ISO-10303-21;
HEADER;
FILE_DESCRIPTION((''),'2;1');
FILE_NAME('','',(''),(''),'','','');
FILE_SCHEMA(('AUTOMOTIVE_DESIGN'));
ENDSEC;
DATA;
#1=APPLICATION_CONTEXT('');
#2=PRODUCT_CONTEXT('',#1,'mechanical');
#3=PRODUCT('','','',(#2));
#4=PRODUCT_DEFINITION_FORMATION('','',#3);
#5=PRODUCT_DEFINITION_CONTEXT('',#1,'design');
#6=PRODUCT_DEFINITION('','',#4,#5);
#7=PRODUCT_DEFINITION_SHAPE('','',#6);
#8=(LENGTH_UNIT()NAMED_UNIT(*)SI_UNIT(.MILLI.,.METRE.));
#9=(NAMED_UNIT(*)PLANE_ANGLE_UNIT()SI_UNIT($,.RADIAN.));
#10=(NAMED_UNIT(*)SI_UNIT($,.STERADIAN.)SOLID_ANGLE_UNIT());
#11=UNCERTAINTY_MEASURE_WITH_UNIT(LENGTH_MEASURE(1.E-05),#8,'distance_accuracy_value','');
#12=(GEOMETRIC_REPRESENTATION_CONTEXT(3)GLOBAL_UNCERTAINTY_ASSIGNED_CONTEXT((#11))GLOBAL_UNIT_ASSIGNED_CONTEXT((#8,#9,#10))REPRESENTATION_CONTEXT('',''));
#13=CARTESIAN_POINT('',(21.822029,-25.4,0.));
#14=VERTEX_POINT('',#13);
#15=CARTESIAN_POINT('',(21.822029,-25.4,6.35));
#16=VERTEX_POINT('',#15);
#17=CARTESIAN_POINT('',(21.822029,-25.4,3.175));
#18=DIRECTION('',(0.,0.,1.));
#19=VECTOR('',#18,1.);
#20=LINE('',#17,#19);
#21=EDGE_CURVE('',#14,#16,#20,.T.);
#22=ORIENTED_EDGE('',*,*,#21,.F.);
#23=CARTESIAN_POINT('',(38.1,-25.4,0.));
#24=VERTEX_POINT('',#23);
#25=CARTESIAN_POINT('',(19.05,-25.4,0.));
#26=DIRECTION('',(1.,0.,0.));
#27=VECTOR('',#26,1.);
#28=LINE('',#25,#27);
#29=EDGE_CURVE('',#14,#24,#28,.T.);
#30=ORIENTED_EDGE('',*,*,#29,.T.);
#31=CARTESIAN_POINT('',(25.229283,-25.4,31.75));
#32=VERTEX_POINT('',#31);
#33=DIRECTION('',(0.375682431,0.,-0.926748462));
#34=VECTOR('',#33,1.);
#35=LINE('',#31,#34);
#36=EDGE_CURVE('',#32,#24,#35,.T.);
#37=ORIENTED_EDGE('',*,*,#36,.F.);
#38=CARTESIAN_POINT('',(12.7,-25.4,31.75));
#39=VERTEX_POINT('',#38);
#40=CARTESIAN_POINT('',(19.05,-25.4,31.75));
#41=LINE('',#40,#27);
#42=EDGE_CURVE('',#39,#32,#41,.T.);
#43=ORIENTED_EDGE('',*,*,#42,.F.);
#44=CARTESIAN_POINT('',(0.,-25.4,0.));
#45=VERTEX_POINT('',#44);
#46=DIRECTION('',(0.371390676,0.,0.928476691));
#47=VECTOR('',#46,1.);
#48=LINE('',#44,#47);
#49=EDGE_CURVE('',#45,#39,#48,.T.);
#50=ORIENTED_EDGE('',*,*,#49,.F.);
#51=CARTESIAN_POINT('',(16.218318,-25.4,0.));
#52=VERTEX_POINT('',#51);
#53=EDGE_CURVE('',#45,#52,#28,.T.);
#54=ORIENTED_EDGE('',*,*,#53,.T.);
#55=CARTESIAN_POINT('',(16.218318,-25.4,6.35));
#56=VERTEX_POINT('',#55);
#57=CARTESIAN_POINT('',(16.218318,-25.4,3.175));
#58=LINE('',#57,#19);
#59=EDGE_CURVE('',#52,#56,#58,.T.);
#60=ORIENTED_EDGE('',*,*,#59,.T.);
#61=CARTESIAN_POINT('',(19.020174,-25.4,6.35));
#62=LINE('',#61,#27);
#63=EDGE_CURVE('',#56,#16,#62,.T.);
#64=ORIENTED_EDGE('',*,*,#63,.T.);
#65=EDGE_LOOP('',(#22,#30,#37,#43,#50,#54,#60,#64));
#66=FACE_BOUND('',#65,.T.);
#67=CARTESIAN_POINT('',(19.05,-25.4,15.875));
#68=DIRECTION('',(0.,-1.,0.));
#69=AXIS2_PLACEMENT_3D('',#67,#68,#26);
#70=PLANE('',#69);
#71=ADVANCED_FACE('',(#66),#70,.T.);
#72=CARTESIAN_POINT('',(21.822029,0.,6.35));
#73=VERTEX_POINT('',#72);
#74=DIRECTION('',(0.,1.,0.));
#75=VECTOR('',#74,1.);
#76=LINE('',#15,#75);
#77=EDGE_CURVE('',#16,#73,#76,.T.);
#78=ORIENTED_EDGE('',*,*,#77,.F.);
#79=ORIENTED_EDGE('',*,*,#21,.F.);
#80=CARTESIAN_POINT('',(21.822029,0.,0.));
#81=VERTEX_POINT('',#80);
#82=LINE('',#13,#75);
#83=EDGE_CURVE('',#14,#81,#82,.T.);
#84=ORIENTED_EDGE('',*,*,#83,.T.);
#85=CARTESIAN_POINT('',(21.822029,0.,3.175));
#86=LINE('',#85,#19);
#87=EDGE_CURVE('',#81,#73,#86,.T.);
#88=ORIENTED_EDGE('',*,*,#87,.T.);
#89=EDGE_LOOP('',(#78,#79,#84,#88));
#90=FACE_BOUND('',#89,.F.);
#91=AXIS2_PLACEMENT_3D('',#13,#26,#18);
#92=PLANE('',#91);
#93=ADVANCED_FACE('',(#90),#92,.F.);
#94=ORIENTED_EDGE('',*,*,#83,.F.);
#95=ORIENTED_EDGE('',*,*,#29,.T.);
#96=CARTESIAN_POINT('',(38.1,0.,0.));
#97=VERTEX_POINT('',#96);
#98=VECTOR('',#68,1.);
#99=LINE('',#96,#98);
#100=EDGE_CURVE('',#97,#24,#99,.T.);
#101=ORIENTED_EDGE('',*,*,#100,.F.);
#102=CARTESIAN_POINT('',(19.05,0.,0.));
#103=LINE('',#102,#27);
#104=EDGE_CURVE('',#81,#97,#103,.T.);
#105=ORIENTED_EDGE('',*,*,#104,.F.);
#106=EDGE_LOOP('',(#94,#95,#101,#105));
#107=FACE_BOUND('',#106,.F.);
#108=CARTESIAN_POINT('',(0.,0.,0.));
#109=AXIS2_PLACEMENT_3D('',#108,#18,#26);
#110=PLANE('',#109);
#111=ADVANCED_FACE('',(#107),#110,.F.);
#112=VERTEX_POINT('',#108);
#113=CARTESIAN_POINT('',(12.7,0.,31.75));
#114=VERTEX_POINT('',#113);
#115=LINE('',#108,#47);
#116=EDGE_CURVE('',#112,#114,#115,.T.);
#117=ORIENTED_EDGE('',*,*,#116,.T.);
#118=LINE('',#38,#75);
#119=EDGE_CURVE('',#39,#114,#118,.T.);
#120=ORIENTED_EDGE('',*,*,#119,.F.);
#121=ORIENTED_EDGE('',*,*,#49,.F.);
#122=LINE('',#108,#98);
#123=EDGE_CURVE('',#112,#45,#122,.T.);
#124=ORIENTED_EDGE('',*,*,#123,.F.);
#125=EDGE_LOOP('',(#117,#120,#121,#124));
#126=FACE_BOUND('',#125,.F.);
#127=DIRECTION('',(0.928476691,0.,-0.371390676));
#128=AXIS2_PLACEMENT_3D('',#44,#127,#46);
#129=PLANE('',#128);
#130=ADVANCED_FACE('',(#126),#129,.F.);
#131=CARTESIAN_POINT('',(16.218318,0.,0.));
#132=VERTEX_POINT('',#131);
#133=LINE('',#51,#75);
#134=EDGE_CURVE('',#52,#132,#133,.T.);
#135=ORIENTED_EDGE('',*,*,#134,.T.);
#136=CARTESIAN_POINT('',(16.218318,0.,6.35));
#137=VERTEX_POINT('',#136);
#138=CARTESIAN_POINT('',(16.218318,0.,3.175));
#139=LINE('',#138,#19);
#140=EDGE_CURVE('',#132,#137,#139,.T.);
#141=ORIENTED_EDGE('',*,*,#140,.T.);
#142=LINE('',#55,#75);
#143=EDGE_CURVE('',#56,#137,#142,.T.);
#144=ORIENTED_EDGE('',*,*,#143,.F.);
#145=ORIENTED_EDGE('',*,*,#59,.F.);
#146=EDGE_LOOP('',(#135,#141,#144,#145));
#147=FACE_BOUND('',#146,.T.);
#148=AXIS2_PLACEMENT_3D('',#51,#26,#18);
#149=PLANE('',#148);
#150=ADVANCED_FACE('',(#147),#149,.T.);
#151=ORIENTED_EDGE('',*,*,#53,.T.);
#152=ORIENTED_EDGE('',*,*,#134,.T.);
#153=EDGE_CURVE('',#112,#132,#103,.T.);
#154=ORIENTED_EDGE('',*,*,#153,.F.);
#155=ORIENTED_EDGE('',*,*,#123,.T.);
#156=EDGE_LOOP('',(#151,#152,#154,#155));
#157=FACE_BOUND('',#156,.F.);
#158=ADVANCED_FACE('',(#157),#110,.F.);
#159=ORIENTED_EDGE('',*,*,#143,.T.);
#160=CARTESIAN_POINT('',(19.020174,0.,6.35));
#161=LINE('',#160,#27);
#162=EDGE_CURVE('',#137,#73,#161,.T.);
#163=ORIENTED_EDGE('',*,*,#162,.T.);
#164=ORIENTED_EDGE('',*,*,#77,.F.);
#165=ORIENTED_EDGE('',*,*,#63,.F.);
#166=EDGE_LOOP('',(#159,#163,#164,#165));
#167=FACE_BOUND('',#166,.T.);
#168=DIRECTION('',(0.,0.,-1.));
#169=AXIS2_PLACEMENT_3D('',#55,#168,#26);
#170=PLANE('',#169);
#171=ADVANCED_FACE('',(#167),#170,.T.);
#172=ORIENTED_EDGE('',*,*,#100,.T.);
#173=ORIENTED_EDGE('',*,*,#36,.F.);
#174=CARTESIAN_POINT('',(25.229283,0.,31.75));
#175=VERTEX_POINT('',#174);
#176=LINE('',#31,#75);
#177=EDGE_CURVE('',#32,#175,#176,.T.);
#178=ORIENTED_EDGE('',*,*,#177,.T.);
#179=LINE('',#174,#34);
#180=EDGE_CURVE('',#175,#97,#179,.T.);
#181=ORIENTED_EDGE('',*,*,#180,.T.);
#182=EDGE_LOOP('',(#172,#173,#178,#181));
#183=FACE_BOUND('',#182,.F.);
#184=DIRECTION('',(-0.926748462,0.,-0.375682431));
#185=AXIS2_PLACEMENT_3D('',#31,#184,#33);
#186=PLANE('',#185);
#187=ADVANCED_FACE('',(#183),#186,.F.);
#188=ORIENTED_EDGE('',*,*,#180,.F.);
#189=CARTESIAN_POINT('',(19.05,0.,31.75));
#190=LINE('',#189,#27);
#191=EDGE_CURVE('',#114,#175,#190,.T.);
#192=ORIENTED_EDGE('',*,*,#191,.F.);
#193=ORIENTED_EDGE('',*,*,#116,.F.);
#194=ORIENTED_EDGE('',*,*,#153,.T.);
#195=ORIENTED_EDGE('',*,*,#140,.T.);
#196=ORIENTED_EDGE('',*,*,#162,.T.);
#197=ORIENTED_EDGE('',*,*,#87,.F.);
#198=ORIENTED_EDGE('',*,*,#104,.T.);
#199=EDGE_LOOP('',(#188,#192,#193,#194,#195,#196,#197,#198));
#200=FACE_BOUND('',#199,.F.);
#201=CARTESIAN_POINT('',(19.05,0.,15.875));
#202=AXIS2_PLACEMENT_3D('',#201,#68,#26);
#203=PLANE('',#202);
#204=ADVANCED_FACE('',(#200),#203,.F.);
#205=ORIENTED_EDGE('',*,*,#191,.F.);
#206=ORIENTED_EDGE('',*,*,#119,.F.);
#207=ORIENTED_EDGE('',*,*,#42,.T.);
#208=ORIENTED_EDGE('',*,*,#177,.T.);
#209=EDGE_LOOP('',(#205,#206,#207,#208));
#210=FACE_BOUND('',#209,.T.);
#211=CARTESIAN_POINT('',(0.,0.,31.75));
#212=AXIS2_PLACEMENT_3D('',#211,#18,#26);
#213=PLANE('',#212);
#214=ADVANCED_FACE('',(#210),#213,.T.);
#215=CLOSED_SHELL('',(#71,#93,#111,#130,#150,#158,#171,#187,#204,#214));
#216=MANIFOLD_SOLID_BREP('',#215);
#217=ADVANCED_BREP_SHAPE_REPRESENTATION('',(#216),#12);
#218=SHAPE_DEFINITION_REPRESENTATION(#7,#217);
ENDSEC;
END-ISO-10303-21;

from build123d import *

# Parameters (mm, degrees)
F0_W     = 38.1
F0_H     = 31.75
F1_DEPTH = 25.4
F2_W     = 5.603711
F2_H     = 6.35
F3_DEPTH = 25.4


with BuildPart() as f1:
    # F0 (on Front) → F1 (new body)
    with BuildSketch(Plane.XZ):
        with Locations((19.05, 15.875)):
            Rectangle(F0_W, F0_H)
    extrude(amount=F1_DEPTH)

    # F2 (on face) → F3 (cut)
    with BuildSketch(Plane.XZ.offset(25.4)):
        with Locations((19.020174, 3.175)):
            Rectangle(F2_W, F2_H)
        Polygon((0, 31.75), (0, 0), (12.7, 31.75), align=None)
        Polygon((25.229283, 31.75), (38.1, 0), (38.1, 31.75), align=None)
    extrude(amount=-F3_DEPTH, mode=Mode.SUBTRACT)


solid = f1.part
